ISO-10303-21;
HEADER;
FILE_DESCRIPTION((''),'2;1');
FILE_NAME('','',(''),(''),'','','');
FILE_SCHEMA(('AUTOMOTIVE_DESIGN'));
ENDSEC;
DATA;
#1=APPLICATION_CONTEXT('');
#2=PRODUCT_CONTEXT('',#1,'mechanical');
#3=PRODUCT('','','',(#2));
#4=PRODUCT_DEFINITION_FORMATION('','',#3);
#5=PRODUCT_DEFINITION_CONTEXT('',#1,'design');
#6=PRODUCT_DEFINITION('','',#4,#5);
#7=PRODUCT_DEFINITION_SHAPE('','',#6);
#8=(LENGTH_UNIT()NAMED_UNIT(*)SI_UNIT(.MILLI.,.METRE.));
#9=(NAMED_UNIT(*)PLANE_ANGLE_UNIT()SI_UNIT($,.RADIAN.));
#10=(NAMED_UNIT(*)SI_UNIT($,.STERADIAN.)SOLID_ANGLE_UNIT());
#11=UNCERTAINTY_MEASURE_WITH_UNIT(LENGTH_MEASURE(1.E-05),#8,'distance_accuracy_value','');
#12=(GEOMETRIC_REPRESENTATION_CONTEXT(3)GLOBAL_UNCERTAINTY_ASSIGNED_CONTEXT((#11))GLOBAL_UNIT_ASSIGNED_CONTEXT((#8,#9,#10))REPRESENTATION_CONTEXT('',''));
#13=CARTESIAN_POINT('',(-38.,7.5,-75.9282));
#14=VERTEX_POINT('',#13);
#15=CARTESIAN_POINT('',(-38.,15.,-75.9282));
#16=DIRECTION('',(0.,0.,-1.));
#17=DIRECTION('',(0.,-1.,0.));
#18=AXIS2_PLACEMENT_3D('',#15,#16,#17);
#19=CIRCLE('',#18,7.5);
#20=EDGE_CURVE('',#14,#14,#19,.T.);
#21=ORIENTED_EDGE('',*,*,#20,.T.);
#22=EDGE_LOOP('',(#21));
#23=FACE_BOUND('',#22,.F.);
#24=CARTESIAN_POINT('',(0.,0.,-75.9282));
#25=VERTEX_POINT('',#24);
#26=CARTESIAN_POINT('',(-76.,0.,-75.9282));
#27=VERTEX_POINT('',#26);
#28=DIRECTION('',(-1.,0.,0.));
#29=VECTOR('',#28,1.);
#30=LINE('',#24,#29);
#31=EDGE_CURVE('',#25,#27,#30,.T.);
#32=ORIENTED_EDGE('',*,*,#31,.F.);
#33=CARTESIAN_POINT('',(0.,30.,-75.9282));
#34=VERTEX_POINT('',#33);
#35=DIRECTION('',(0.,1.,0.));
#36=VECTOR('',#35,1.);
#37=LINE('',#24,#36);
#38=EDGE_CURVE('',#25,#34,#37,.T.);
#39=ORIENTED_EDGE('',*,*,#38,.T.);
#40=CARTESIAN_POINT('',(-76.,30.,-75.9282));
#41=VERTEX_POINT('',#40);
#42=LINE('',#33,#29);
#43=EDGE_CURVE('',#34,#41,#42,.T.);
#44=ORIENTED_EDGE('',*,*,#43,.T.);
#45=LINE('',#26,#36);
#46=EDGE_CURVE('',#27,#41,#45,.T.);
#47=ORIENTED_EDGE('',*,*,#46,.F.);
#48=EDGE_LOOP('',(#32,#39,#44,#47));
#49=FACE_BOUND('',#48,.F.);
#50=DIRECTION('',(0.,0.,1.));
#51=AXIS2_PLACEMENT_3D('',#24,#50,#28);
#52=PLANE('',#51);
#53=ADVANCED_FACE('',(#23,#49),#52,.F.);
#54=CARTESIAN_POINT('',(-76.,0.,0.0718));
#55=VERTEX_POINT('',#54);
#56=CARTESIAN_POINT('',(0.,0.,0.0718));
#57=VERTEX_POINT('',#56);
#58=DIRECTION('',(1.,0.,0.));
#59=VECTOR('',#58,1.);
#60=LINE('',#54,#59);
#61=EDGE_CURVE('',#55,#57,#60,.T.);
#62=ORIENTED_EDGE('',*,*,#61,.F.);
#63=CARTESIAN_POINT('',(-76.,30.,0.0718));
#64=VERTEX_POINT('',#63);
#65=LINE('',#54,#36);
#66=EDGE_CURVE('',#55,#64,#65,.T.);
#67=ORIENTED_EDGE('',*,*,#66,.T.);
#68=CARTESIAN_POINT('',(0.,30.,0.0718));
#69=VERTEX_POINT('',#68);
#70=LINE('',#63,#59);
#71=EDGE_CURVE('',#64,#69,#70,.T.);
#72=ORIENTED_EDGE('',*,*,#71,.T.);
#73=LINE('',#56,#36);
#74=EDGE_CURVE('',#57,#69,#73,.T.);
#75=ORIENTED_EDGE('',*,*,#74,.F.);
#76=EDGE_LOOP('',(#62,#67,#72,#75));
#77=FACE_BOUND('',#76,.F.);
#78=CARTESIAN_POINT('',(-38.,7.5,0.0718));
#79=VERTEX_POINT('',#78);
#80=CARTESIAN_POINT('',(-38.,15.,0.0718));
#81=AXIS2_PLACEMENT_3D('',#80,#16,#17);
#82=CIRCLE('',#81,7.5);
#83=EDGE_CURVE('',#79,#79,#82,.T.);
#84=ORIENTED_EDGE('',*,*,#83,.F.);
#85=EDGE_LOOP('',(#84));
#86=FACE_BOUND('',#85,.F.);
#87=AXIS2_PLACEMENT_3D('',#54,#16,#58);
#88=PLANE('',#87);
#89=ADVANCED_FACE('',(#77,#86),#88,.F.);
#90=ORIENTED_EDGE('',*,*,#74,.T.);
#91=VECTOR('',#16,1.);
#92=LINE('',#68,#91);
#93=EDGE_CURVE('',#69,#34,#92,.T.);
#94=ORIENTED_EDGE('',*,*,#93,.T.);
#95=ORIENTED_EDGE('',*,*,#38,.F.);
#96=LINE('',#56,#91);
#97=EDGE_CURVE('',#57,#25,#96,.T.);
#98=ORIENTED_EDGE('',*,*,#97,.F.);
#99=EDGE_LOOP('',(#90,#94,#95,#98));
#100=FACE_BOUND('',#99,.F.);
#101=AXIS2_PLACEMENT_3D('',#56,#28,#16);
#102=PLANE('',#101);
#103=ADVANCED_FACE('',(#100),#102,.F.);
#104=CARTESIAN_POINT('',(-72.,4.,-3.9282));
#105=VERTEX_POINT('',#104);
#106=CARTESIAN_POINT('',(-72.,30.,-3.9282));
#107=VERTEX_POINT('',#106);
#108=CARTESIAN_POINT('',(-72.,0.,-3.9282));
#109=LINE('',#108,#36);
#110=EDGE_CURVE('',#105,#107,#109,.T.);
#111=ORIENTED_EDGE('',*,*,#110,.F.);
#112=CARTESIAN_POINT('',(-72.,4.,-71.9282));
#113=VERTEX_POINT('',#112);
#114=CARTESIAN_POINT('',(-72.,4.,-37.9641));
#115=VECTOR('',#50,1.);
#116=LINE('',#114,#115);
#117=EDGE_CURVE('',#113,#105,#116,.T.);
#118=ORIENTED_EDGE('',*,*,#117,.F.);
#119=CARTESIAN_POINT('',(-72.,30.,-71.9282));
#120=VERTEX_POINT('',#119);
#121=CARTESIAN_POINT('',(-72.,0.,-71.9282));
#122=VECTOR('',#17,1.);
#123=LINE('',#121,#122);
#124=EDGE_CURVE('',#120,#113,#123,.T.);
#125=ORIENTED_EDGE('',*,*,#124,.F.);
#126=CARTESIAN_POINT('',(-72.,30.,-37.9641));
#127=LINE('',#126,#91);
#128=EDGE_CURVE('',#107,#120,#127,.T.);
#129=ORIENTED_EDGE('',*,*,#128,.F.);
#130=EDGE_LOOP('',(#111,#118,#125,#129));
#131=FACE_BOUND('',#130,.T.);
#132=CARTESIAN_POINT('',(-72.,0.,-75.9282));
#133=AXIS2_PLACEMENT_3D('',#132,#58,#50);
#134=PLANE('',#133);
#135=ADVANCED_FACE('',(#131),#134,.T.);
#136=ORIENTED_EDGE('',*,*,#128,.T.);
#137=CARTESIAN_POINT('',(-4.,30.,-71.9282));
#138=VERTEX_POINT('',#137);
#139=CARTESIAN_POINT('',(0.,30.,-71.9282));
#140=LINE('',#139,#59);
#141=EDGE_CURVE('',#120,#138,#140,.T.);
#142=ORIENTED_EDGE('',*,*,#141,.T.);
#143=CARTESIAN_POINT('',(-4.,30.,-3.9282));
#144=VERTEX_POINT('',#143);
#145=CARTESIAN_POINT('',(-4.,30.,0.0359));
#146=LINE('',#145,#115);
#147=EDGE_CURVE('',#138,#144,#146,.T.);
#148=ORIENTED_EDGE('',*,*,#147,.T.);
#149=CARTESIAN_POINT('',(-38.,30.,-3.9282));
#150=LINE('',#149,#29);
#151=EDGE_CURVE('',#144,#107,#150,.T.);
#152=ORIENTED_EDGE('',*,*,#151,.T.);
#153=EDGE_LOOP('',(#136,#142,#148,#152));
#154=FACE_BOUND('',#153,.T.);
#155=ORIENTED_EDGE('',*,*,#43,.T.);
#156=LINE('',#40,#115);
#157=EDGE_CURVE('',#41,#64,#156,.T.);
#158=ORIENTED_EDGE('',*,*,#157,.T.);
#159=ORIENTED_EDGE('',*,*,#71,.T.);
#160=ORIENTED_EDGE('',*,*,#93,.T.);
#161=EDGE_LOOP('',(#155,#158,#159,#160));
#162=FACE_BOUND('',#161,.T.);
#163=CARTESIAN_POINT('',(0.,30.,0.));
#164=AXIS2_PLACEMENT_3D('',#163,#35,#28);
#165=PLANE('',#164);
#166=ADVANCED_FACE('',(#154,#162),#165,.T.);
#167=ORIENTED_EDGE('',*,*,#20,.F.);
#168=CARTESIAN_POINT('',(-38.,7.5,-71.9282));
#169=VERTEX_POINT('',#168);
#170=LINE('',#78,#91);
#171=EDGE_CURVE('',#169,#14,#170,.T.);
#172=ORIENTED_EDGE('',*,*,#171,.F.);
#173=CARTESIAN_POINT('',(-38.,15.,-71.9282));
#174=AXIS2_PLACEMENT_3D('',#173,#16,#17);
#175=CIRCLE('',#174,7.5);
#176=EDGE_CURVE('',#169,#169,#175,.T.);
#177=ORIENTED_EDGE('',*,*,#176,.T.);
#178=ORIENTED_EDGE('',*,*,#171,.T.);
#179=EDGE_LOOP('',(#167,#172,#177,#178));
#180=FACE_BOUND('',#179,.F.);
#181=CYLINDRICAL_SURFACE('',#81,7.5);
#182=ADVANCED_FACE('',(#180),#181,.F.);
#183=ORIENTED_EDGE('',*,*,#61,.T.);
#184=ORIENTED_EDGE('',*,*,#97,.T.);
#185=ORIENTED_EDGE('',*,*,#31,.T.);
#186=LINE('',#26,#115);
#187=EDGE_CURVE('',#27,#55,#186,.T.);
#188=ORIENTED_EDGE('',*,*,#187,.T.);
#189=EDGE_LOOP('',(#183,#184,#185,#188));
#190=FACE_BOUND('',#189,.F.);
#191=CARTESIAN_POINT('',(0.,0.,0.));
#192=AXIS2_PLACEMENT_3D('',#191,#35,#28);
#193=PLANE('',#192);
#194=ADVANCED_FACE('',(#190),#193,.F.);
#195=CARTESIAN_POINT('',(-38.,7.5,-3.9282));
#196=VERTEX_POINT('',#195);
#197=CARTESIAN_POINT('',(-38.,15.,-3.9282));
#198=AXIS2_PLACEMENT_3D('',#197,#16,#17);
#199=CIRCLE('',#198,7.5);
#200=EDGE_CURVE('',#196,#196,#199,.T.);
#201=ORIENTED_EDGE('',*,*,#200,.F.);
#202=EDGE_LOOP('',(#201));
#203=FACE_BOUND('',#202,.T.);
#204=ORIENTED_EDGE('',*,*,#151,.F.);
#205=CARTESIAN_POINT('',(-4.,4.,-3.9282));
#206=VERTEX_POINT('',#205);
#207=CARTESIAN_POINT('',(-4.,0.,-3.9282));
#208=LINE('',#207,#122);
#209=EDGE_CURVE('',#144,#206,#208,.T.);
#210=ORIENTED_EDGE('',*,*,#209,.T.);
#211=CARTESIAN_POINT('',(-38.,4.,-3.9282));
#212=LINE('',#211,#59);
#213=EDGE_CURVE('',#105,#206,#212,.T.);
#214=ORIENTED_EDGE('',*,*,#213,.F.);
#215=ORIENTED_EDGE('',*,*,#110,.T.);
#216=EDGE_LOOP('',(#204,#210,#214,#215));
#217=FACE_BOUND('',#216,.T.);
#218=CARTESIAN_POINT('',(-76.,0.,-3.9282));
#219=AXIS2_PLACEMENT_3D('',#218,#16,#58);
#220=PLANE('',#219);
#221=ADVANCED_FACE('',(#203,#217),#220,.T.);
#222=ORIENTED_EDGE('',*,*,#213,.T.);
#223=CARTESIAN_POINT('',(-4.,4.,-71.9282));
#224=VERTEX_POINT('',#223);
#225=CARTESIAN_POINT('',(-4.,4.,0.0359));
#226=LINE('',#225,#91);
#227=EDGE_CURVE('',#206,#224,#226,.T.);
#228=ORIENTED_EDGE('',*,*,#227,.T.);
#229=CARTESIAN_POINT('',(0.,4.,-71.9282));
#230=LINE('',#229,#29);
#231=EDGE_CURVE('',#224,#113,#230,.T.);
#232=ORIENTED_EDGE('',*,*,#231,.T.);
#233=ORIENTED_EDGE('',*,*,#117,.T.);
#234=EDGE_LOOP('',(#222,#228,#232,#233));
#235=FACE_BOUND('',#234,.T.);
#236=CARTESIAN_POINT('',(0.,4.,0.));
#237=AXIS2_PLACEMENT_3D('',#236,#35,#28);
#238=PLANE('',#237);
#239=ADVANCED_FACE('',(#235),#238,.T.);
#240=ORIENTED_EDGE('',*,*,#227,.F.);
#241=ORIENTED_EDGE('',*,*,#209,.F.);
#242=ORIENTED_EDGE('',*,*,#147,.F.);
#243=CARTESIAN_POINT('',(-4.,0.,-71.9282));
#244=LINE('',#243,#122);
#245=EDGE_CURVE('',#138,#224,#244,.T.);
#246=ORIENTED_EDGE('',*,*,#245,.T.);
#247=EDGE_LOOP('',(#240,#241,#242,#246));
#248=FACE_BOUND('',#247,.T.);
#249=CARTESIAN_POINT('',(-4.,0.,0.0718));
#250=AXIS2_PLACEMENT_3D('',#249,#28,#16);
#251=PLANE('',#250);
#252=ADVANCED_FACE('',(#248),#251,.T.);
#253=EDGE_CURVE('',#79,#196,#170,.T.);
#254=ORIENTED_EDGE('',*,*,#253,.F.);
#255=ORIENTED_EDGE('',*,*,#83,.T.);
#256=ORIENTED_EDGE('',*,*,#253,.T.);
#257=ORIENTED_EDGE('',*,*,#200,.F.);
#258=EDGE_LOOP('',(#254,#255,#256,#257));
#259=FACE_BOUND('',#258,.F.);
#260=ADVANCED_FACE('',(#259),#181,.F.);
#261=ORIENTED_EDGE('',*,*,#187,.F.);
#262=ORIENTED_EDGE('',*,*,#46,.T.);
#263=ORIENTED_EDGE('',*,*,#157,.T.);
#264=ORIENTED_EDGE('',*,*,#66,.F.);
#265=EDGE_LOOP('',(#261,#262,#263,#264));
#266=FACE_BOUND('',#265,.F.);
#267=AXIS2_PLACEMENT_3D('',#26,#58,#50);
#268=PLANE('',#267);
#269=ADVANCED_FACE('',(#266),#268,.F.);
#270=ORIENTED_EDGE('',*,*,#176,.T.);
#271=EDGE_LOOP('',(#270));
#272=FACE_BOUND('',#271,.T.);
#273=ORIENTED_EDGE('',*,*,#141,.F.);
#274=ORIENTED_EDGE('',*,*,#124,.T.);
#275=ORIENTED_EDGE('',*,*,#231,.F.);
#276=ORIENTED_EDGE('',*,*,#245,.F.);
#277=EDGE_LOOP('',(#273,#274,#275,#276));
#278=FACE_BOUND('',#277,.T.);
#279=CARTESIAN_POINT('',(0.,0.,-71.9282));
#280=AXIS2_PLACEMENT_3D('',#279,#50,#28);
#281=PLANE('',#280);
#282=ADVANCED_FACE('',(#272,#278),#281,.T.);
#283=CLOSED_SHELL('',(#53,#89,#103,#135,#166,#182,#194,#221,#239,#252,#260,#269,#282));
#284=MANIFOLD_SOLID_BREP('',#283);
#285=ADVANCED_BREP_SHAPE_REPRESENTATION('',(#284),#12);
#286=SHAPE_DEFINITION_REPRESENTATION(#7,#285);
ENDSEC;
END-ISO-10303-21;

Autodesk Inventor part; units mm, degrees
ref_plane "YZ Plane" through (0, 0, 0) normal (1, 0, 0) x (0, 1, 0)
ref_plane "XZ Plane" through (0, 0, 0) normal (0, 1, 0) x (-1, 0, 0)
ref_plane "XY Plane" through (0, 0, 0) normal (0, 0, 1) x (1, 0, 0)
sketch "Sketch1" plane through (0, 0, 0) normal (0, 1, 0) x (-1, 0, 0)
  line L0 (76, 0.0718) -> (0, 0.0718)
  line L1 (0, 0.0718) -> (0, -75.9282)
  line L2 (0, -75.9282) -> (76, -75.9282)
  line L3 (76, -75.9282) -> (76, 0.0718)
  point P0 (0, 0)
  dimension "d0" = 76
  dimension "d1" = 76
extrude "Extrusion1" add sketch "Sketch1" along normal blind 30
shell "Shell1" thickness 4 removed faces 1 at (-50.6667, 30, -25.2616)
sketch "Sketch2" plane through (-76, 0, 0.0718) normal (0, 0, 1) x (1, 0, 0)
  line L0 (0, 30) -> (76, 30) projected
  line L1 (38, 30) -> (38, 0)
  line L2 (0, 0) -> (76, 0) projected
  line L3 (0, 0) -> (0, 30) projected
  line L4 (0, 15) -> (76, 15)
  line L5 (76, 0) -> (76, 30) projected
  circle A0 centre (38, 15) radius 7.5
  dimension "d5" = 15
hole "Hole1" at (-38, 15, 0.0718) direction (0, 0, -1) diameter 15 end through all
properties part number "Caja_ampli_antena"
